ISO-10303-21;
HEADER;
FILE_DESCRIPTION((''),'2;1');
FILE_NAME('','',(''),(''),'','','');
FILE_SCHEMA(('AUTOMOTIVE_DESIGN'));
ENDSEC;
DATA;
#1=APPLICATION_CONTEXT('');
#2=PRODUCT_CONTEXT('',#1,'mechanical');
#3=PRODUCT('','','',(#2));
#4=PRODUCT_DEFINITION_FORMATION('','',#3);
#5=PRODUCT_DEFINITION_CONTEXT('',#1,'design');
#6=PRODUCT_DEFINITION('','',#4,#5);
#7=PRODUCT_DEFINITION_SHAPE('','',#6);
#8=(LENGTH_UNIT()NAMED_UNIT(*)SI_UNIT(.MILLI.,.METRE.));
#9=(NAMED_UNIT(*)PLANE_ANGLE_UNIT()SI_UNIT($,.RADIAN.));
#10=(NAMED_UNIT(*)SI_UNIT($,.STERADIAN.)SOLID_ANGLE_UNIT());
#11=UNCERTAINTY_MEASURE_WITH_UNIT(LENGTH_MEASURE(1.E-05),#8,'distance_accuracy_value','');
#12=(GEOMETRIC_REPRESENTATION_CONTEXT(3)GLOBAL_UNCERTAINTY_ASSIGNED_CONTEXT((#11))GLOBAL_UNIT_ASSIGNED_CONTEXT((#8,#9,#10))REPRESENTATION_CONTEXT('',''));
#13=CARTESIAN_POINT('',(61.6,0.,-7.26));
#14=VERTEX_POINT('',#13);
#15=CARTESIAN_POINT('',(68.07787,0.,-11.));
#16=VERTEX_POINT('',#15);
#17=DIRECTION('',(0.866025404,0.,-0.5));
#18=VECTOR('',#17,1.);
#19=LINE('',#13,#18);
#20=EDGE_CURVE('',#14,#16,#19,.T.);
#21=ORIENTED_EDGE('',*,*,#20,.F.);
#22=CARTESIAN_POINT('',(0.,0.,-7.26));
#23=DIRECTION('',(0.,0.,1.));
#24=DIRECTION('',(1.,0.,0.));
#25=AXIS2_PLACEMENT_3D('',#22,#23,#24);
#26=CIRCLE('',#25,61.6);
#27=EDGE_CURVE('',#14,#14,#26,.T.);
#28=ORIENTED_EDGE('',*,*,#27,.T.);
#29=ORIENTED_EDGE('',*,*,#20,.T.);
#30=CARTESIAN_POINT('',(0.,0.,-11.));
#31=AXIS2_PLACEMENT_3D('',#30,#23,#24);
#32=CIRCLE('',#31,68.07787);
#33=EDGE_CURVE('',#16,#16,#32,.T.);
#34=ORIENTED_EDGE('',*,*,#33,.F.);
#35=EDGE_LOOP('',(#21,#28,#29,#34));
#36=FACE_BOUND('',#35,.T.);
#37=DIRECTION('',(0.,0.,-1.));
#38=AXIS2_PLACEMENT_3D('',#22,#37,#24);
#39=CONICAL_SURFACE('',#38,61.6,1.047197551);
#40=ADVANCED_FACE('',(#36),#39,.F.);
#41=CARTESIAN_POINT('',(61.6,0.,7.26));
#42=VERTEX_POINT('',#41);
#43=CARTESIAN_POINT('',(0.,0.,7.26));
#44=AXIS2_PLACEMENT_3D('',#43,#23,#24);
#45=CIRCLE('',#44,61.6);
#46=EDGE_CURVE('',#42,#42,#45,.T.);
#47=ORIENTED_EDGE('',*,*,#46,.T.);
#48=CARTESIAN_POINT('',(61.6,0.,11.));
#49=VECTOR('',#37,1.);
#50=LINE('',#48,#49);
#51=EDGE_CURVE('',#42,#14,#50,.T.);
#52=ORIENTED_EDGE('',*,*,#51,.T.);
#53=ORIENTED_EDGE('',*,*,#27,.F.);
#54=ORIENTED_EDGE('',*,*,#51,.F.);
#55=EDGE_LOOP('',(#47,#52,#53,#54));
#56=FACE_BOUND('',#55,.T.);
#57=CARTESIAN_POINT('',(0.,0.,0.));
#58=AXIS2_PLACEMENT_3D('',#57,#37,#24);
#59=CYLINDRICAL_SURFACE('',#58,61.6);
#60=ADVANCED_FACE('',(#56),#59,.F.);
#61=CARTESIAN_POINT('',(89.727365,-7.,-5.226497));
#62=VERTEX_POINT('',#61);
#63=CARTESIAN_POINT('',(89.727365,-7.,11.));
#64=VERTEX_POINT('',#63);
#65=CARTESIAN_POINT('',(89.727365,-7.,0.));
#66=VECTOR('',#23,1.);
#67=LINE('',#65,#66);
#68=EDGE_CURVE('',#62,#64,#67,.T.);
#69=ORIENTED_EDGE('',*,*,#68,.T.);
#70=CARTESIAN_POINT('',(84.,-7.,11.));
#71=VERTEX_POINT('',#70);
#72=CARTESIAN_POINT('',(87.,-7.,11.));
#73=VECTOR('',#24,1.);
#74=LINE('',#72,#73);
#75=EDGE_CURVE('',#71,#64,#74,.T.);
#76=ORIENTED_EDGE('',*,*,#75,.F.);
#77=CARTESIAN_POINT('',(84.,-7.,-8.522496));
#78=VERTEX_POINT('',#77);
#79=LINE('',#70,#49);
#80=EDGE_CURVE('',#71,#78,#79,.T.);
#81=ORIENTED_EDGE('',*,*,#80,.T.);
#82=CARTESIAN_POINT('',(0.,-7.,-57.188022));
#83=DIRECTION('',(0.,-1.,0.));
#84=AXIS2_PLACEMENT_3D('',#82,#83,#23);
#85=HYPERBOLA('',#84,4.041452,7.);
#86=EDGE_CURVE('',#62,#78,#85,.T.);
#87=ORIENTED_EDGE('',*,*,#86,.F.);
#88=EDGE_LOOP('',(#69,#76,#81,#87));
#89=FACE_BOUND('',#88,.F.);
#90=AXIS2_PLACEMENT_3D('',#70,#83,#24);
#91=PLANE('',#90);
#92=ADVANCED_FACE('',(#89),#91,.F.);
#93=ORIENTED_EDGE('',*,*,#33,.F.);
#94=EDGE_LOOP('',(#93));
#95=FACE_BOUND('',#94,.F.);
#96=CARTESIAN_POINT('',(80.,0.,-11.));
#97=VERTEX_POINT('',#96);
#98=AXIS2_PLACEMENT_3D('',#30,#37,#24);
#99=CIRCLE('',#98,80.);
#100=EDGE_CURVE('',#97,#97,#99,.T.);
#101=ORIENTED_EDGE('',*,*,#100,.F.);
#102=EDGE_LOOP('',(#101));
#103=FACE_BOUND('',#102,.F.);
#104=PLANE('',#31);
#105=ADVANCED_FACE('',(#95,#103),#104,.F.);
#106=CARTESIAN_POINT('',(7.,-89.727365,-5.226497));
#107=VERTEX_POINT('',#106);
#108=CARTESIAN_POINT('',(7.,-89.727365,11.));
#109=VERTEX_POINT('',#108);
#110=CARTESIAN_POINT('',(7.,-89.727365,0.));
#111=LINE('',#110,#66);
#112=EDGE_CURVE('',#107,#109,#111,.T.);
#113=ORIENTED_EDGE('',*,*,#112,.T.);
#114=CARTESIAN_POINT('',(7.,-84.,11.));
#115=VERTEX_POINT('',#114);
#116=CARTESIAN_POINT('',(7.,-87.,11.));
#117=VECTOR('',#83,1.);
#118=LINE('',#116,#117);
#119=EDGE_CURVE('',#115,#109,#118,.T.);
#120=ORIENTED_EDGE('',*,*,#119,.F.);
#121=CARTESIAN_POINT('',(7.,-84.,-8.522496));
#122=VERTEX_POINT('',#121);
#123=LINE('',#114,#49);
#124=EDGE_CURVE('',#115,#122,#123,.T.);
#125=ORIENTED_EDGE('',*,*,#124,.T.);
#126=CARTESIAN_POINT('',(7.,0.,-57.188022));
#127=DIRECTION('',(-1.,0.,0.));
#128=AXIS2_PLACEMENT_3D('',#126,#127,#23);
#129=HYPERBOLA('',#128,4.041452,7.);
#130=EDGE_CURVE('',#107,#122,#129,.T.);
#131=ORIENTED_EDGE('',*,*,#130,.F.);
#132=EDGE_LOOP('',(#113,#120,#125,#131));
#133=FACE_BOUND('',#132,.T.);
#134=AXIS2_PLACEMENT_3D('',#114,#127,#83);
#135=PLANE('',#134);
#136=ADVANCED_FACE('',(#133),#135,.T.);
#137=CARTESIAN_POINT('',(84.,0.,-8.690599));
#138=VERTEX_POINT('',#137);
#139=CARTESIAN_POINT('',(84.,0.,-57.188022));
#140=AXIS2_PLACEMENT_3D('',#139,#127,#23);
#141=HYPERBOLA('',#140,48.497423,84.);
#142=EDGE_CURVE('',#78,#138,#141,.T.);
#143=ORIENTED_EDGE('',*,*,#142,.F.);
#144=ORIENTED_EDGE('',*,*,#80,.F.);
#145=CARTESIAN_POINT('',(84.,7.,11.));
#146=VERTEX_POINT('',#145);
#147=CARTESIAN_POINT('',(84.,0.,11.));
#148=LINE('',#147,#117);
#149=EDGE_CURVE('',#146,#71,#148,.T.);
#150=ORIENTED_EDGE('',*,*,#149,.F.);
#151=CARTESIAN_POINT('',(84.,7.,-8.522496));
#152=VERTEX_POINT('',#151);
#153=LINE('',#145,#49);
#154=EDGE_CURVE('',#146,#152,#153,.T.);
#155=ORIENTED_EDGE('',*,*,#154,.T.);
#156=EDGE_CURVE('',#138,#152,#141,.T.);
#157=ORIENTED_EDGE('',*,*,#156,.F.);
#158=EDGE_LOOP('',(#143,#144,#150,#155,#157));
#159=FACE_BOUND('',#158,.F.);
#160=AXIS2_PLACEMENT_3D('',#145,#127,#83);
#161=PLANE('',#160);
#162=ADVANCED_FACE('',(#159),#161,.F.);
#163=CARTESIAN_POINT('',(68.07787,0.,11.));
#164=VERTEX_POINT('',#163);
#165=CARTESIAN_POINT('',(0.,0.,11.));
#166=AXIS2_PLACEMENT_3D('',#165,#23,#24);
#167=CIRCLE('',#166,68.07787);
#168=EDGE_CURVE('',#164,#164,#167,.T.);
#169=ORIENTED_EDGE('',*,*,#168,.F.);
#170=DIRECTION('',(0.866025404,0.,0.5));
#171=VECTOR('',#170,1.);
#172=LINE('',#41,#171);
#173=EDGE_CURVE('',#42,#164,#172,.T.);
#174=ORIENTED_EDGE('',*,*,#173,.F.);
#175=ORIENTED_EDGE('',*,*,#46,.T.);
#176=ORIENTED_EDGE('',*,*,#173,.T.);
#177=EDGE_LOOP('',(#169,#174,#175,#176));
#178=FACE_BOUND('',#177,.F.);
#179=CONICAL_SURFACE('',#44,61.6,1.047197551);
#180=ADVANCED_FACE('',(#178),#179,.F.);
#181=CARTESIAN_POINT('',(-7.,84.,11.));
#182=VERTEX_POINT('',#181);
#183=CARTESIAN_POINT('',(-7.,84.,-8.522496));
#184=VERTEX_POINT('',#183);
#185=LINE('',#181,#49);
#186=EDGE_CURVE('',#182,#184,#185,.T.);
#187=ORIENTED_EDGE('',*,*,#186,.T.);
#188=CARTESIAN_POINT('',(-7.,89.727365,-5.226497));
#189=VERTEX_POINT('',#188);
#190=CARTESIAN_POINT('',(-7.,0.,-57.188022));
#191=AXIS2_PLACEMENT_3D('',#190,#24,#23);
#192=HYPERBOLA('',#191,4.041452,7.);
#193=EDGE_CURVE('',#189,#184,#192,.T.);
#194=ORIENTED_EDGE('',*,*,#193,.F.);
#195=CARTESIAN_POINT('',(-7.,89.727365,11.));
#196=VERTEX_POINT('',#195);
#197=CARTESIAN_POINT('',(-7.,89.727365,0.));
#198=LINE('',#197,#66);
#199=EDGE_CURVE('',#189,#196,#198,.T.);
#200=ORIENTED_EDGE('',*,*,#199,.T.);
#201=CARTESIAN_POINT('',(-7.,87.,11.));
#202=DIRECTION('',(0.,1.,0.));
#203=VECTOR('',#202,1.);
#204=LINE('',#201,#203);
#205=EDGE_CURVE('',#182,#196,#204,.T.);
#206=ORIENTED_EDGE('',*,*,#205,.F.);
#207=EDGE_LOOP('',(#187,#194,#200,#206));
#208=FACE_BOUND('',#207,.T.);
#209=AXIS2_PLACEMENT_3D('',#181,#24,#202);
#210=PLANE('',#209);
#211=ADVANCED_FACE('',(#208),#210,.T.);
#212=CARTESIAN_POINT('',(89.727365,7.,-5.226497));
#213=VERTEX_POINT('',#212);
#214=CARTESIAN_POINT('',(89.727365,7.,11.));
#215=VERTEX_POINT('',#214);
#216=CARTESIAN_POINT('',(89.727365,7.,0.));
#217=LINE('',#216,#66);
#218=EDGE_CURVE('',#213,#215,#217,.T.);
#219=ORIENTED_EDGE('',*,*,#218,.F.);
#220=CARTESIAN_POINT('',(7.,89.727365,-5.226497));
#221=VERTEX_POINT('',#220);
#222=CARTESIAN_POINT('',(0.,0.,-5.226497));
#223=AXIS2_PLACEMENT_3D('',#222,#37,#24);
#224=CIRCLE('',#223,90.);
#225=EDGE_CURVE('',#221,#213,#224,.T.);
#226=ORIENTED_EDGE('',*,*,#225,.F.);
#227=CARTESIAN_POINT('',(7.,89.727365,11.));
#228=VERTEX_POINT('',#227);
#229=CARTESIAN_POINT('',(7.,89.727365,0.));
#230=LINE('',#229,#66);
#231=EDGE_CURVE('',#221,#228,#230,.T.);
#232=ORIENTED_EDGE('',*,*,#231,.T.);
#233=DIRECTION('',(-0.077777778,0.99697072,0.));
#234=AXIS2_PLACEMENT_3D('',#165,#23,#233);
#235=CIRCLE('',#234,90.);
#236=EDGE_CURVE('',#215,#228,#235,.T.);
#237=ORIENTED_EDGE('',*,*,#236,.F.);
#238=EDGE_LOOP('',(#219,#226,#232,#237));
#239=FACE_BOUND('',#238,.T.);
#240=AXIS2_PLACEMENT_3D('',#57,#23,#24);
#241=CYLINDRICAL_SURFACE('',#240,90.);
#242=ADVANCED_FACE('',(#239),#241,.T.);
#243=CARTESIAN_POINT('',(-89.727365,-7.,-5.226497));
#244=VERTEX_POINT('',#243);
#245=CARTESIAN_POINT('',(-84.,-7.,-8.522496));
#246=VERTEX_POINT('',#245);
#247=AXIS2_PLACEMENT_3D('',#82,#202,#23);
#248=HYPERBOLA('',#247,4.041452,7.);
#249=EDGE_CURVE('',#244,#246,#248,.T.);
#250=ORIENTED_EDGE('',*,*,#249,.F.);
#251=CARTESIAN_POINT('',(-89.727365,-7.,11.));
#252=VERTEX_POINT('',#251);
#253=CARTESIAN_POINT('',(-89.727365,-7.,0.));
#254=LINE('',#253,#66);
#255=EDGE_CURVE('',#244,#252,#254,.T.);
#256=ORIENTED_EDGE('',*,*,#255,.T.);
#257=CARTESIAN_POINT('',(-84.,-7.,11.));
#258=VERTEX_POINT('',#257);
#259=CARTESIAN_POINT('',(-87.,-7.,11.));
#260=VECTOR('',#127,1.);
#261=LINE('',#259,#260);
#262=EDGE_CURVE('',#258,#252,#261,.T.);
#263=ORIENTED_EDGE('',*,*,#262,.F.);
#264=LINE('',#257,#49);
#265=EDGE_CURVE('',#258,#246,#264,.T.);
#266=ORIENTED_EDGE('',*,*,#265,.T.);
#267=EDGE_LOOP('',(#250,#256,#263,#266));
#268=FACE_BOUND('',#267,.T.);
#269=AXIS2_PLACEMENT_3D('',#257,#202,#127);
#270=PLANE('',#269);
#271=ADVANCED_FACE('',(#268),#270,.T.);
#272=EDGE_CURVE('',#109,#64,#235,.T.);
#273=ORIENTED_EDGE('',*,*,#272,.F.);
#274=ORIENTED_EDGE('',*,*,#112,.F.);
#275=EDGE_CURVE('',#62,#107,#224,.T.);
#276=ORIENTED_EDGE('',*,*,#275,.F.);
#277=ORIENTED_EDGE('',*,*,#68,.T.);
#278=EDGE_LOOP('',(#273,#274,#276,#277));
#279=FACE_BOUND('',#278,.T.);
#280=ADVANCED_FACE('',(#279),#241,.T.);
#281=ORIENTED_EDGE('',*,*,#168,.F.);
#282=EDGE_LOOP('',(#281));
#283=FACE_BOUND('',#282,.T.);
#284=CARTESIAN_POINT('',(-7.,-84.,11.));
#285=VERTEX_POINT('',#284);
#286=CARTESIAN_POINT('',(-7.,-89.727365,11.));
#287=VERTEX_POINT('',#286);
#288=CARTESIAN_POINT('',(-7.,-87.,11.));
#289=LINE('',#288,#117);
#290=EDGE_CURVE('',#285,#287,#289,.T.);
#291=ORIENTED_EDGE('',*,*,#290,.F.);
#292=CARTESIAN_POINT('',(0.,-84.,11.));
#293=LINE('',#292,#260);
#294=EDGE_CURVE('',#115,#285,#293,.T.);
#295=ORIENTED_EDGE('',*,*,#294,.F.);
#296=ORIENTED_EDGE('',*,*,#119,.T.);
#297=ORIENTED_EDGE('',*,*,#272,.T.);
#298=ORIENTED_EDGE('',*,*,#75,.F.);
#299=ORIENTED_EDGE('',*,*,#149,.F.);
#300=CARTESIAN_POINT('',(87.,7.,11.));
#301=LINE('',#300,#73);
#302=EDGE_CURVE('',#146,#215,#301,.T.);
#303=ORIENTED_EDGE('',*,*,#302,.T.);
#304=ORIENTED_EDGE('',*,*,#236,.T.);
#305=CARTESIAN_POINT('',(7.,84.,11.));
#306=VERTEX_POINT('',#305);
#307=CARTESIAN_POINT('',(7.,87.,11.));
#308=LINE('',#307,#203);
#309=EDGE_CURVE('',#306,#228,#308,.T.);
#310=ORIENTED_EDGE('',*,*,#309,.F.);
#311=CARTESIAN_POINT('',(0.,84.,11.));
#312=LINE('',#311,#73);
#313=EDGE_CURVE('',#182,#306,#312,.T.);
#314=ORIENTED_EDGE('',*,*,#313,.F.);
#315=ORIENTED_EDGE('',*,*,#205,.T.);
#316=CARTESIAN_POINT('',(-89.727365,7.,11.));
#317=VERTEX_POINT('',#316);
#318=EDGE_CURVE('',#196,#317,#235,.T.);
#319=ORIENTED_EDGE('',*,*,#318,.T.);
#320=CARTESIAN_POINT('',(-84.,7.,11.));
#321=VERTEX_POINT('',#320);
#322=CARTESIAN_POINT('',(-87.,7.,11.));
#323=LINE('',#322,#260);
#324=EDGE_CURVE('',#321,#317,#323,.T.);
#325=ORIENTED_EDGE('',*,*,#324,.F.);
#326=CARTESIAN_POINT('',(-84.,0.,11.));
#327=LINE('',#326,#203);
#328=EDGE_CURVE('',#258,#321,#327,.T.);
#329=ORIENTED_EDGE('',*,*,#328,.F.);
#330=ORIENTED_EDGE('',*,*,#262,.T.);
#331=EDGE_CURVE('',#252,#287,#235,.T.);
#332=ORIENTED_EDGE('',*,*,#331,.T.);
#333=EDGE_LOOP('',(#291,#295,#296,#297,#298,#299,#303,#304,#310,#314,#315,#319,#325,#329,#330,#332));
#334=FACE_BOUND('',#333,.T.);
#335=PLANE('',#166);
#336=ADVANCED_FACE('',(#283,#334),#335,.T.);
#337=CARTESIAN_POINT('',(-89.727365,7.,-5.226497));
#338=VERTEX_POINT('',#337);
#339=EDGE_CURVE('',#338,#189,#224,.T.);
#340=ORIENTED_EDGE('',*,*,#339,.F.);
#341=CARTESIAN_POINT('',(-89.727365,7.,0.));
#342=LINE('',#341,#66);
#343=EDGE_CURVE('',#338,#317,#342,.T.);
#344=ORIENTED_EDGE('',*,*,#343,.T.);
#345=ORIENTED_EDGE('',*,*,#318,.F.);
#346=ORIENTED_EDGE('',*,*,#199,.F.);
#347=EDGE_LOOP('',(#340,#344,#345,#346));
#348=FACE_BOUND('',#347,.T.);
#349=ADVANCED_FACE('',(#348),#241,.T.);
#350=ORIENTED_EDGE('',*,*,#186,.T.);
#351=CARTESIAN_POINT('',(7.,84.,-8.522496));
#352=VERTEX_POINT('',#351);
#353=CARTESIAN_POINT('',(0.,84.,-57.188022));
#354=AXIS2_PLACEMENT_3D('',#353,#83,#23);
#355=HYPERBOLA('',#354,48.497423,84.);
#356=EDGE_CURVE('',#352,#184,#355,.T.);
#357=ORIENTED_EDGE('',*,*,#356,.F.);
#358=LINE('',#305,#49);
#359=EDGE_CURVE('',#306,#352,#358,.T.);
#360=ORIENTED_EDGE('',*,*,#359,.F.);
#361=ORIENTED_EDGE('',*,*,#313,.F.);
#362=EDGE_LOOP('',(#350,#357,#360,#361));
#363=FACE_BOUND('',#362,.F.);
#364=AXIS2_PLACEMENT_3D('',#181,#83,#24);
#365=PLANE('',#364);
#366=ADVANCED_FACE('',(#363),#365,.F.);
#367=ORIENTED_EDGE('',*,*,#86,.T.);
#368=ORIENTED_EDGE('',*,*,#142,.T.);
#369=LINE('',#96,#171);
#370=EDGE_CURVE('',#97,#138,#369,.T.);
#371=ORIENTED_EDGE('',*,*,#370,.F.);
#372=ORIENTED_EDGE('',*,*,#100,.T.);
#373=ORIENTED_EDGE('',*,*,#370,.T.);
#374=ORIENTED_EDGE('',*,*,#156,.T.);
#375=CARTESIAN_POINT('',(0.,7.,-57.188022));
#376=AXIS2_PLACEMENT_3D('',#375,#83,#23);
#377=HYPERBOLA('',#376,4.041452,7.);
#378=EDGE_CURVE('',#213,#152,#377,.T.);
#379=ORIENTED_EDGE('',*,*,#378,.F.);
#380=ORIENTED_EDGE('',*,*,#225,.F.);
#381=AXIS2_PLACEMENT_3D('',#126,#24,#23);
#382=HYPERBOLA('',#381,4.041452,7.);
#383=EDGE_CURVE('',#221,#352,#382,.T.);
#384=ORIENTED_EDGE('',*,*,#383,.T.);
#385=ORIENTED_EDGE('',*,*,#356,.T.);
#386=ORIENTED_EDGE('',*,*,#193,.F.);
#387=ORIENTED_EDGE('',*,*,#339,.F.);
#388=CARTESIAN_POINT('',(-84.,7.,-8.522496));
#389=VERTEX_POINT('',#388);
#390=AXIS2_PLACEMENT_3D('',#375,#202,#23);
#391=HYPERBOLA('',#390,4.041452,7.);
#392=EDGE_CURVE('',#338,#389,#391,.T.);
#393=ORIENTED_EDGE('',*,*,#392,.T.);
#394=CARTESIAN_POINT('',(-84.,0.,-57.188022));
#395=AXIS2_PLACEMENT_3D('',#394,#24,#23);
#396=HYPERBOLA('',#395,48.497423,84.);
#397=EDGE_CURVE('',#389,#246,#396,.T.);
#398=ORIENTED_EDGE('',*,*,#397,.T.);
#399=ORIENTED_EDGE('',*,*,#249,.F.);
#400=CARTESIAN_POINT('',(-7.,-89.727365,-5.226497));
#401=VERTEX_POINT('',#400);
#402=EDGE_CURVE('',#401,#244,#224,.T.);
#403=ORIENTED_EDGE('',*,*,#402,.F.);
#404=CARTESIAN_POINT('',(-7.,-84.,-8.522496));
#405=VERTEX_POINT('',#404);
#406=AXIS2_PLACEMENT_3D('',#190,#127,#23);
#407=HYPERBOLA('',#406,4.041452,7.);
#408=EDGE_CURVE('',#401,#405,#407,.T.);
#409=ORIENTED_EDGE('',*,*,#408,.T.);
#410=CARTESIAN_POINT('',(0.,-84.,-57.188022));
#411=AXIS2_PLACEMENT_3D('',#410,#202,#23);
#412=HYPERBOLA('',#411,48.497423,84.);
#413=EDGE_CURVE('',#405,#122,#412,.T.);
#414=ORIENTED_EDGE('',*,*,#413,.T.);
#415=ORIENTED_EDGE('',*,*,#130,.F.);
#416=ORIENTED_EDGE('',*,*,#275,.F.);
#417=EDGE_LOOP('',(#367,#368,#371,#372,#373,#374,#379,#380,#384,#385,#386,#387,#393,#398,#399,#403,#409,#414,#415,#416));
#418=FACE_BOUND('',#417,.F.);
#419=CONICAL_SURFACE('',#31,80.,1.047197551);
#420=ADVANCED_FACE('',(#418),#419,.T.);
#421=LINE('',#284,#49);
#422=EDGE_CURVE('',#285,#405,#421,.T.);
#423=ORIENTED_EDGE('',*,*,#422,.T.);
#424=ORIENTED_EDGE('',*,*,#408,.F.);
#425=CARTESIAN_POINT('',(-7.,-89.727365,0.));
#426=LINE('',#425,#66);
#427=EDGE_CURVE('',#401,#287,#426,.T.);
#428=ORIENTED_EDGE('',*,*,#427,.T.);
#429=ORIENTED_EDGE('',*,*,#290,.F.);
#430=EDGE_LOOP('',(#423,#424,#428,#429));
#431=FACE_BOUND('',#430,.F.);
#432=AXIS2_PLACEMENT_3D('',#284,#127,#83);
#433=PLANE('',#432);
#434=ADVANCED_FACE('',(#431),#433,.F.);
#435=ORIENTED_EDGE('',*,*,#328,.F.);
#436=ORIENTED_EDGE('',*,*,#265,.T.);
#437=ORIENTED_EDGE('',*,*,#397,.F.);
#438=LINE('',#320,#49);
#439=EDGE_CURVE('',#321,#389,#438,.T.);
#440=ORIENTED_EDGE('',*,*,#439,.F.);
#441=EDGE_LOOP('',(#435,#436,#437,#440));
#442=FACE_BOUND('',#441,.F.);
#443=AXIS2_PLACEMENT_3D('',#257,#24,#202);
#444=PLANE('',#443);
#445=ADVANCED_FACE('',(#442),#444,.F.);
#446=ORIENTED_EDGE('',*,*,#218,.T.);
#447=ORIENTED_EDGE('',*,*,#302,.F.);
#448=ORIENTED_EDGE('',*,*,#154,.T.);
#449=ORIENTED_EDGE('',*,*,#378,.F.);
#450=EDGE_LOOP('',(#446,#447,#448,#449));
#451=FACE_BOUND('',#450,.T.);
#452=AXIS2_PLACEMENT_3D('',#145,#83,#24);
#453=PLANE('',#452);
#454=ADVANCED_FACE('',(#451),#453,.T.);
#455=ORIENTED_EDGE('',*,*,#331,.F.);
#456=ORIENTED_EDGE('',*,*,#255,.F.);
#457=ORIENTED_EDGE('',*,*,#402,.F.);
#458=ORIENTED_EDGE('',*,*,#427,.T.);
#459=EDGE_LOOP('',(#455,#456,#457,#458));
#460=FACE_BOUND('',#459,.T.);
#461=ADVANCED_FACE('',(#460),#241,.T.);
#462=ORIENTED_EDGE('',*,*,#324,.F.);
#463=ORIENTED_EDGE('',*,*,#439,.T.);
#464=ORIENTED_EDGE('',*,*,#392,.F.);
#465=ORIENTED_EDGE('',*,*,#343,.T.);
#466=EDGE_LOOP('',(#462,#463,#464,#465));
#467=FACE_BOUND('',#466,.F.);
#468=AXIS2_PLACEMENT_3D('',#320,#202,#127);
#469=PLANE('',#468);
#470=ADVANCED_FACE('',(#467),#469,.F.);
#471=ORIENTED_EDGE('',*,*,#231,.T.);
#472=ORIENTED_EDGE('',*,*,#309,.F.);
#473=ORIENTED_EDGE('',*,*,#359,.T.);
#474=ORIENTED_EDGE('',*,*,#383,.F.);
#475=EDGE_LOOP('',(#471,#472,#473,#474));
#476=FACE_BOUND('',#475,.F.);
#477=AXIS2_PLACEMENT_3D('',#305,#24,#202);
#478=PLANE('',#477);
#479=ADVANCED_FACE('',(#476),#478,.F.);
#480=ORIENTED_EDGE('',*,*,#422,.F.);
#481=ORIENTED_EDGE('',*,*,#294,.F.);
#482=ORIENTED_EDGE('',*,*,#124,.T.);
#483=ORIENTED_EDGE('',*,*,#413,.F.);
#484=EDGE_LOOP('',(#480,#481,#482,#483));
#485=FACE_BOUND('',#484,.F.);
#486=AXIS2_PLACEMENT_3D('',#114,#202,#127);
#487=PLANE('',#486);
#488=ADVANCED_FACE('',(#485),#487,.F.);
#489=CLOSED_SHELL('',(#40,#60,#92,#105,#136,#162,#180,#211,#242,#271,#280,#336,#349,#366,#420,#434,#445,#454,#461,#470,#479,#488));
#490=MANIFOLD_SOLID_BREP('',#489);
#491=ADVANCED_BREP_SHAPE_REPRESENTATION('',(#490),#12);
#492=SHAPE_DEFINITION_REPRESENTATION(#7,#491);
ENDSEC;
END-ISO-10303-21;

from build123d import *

# Parameters (mm, degrees)
SKICA1_R                 = 90
SKICA1_R_2               = 61.6
VYSUNOUT1_DEPTH          = 11
ZKOSIT2_SIZE             = 3.74
ZKOSIT2_SIZE2            = 6.47787002
ZKOSIT3_SIZE             = 3.74
ZKOSIT3_SIZE2            = 6.47787002
ODEBRAT_VYSUNUT_M1_REACH = 131.167
SKICA2_W                 = 14
SKICA2_H                 = 6
KRUHOV_POLE1_COUNT       = 4


with BuildPart() as part:
    # Skica1 → Vysunout1 (new, symmetric)
    with BuildSketch(Plane.XY):
        Circle(SKICA1_R)
        Circle(SKICA1_R_2, mode=Mode.SUBTRACT)
    extrude(amount=VYSUNOUT1_DEPTH, both=True)

    # Zkosit2
    zkosit2_edges = [part.edges().sort_by_distance(p)[0] for p in [
        (-61.6, 0, -11),
    ]]
    zkosit2_side = [part.faces().sort_by_distance(p)[0] for p in [
        (-61.6, 0, 0),
    ]]
    chamfer(zkosit2_edges, length=ZKOSIT2_SIZE, length2=ZKOSIT2_SIZE2, reference=zkosit2_side[0])

    # Zkosit3
    zkosit3_edges = [part.edges().sort_by_distance(p)[0] for p in [
        (-61.6, 0, 11),
    ]]
    zkosit3_side = [part.faces().sort_by_distance(p)[0] for p in [
        (-61.6, 0, 1.87),
    ]]
    chamfer(zkosit3_edges, length=ZKOSIT3_SIZE, length2=ZKOSIT3_SIZE2, reference=zkosit3_side[0])

    # Skica4 → Odebrat otočením1 (revolve, cut)
    with BuildSketch(Plane(origin=(0, 0, 0), x_dir=(1, 0, 0), z_dir=(0, 1, 0))):
        Polygon((90, 11), (80, 11), (90, 5.226497308), align=None)
    revolve(axis=Axis((0, 0, 0), (0, 0, -1)), mode=Mode.SUBTRACT)

    # Odebrat vysunutím1: up to this cone (the profile starts inside it)
    odebrat_vysunut_m1_end = Plane(origin=(0, 0, 11), z_dir=(0, 0, 1)).offset(-68.188020535) * Cone(1.732e-06, 550.723116052, 317.960138302, align=(Align.CENTER, Align.CENTER, Align.MIN), mode=Mode.PRIVATE)
    # Skica2 → Odebrat vysunutím1 (cut, up to the surface)
    with BuildSketch(Plane.XY.offset(11), mode=Mode.PRIVATE) as odebrat_vysunut_m1_sk1:
        with Locations((0, 87)):
            Rectangle(SKICA2_W, SKICA2_H)
    odebrat_vysunut_m1_tool1 = extrude(odebrat_vysunut_m1_sk1.sketch, amount=-ODEBRAT_VYSUNUT_M1_REACH, mode=Mode.PRIVATE) & odebrat_vysunut_m1_end
    odebrat_vysunut_m1 = odebrat_vysunut_m1_tool1.solids().sort_by_distance((0, 87, 11))[0]
    add(odebrat_vysunut_m1, mode=Mode.SUBTRACT)

    # Kruhové pole1: Odebrat vysunutím1 ×4 about axis
    kruhov_pole1_axis = Axis((0, 0, 0), (0, 0, 1))
    for i in range(1, KRUHOV_POLE1_COUNT):
        add(odebrat_vysunut_m1.rotate(kruhov_pole1_axis, i * 360 / KRUHOV_POLE1_COUNT), mode=Mode.SUBTRACT)


solid = part.part
